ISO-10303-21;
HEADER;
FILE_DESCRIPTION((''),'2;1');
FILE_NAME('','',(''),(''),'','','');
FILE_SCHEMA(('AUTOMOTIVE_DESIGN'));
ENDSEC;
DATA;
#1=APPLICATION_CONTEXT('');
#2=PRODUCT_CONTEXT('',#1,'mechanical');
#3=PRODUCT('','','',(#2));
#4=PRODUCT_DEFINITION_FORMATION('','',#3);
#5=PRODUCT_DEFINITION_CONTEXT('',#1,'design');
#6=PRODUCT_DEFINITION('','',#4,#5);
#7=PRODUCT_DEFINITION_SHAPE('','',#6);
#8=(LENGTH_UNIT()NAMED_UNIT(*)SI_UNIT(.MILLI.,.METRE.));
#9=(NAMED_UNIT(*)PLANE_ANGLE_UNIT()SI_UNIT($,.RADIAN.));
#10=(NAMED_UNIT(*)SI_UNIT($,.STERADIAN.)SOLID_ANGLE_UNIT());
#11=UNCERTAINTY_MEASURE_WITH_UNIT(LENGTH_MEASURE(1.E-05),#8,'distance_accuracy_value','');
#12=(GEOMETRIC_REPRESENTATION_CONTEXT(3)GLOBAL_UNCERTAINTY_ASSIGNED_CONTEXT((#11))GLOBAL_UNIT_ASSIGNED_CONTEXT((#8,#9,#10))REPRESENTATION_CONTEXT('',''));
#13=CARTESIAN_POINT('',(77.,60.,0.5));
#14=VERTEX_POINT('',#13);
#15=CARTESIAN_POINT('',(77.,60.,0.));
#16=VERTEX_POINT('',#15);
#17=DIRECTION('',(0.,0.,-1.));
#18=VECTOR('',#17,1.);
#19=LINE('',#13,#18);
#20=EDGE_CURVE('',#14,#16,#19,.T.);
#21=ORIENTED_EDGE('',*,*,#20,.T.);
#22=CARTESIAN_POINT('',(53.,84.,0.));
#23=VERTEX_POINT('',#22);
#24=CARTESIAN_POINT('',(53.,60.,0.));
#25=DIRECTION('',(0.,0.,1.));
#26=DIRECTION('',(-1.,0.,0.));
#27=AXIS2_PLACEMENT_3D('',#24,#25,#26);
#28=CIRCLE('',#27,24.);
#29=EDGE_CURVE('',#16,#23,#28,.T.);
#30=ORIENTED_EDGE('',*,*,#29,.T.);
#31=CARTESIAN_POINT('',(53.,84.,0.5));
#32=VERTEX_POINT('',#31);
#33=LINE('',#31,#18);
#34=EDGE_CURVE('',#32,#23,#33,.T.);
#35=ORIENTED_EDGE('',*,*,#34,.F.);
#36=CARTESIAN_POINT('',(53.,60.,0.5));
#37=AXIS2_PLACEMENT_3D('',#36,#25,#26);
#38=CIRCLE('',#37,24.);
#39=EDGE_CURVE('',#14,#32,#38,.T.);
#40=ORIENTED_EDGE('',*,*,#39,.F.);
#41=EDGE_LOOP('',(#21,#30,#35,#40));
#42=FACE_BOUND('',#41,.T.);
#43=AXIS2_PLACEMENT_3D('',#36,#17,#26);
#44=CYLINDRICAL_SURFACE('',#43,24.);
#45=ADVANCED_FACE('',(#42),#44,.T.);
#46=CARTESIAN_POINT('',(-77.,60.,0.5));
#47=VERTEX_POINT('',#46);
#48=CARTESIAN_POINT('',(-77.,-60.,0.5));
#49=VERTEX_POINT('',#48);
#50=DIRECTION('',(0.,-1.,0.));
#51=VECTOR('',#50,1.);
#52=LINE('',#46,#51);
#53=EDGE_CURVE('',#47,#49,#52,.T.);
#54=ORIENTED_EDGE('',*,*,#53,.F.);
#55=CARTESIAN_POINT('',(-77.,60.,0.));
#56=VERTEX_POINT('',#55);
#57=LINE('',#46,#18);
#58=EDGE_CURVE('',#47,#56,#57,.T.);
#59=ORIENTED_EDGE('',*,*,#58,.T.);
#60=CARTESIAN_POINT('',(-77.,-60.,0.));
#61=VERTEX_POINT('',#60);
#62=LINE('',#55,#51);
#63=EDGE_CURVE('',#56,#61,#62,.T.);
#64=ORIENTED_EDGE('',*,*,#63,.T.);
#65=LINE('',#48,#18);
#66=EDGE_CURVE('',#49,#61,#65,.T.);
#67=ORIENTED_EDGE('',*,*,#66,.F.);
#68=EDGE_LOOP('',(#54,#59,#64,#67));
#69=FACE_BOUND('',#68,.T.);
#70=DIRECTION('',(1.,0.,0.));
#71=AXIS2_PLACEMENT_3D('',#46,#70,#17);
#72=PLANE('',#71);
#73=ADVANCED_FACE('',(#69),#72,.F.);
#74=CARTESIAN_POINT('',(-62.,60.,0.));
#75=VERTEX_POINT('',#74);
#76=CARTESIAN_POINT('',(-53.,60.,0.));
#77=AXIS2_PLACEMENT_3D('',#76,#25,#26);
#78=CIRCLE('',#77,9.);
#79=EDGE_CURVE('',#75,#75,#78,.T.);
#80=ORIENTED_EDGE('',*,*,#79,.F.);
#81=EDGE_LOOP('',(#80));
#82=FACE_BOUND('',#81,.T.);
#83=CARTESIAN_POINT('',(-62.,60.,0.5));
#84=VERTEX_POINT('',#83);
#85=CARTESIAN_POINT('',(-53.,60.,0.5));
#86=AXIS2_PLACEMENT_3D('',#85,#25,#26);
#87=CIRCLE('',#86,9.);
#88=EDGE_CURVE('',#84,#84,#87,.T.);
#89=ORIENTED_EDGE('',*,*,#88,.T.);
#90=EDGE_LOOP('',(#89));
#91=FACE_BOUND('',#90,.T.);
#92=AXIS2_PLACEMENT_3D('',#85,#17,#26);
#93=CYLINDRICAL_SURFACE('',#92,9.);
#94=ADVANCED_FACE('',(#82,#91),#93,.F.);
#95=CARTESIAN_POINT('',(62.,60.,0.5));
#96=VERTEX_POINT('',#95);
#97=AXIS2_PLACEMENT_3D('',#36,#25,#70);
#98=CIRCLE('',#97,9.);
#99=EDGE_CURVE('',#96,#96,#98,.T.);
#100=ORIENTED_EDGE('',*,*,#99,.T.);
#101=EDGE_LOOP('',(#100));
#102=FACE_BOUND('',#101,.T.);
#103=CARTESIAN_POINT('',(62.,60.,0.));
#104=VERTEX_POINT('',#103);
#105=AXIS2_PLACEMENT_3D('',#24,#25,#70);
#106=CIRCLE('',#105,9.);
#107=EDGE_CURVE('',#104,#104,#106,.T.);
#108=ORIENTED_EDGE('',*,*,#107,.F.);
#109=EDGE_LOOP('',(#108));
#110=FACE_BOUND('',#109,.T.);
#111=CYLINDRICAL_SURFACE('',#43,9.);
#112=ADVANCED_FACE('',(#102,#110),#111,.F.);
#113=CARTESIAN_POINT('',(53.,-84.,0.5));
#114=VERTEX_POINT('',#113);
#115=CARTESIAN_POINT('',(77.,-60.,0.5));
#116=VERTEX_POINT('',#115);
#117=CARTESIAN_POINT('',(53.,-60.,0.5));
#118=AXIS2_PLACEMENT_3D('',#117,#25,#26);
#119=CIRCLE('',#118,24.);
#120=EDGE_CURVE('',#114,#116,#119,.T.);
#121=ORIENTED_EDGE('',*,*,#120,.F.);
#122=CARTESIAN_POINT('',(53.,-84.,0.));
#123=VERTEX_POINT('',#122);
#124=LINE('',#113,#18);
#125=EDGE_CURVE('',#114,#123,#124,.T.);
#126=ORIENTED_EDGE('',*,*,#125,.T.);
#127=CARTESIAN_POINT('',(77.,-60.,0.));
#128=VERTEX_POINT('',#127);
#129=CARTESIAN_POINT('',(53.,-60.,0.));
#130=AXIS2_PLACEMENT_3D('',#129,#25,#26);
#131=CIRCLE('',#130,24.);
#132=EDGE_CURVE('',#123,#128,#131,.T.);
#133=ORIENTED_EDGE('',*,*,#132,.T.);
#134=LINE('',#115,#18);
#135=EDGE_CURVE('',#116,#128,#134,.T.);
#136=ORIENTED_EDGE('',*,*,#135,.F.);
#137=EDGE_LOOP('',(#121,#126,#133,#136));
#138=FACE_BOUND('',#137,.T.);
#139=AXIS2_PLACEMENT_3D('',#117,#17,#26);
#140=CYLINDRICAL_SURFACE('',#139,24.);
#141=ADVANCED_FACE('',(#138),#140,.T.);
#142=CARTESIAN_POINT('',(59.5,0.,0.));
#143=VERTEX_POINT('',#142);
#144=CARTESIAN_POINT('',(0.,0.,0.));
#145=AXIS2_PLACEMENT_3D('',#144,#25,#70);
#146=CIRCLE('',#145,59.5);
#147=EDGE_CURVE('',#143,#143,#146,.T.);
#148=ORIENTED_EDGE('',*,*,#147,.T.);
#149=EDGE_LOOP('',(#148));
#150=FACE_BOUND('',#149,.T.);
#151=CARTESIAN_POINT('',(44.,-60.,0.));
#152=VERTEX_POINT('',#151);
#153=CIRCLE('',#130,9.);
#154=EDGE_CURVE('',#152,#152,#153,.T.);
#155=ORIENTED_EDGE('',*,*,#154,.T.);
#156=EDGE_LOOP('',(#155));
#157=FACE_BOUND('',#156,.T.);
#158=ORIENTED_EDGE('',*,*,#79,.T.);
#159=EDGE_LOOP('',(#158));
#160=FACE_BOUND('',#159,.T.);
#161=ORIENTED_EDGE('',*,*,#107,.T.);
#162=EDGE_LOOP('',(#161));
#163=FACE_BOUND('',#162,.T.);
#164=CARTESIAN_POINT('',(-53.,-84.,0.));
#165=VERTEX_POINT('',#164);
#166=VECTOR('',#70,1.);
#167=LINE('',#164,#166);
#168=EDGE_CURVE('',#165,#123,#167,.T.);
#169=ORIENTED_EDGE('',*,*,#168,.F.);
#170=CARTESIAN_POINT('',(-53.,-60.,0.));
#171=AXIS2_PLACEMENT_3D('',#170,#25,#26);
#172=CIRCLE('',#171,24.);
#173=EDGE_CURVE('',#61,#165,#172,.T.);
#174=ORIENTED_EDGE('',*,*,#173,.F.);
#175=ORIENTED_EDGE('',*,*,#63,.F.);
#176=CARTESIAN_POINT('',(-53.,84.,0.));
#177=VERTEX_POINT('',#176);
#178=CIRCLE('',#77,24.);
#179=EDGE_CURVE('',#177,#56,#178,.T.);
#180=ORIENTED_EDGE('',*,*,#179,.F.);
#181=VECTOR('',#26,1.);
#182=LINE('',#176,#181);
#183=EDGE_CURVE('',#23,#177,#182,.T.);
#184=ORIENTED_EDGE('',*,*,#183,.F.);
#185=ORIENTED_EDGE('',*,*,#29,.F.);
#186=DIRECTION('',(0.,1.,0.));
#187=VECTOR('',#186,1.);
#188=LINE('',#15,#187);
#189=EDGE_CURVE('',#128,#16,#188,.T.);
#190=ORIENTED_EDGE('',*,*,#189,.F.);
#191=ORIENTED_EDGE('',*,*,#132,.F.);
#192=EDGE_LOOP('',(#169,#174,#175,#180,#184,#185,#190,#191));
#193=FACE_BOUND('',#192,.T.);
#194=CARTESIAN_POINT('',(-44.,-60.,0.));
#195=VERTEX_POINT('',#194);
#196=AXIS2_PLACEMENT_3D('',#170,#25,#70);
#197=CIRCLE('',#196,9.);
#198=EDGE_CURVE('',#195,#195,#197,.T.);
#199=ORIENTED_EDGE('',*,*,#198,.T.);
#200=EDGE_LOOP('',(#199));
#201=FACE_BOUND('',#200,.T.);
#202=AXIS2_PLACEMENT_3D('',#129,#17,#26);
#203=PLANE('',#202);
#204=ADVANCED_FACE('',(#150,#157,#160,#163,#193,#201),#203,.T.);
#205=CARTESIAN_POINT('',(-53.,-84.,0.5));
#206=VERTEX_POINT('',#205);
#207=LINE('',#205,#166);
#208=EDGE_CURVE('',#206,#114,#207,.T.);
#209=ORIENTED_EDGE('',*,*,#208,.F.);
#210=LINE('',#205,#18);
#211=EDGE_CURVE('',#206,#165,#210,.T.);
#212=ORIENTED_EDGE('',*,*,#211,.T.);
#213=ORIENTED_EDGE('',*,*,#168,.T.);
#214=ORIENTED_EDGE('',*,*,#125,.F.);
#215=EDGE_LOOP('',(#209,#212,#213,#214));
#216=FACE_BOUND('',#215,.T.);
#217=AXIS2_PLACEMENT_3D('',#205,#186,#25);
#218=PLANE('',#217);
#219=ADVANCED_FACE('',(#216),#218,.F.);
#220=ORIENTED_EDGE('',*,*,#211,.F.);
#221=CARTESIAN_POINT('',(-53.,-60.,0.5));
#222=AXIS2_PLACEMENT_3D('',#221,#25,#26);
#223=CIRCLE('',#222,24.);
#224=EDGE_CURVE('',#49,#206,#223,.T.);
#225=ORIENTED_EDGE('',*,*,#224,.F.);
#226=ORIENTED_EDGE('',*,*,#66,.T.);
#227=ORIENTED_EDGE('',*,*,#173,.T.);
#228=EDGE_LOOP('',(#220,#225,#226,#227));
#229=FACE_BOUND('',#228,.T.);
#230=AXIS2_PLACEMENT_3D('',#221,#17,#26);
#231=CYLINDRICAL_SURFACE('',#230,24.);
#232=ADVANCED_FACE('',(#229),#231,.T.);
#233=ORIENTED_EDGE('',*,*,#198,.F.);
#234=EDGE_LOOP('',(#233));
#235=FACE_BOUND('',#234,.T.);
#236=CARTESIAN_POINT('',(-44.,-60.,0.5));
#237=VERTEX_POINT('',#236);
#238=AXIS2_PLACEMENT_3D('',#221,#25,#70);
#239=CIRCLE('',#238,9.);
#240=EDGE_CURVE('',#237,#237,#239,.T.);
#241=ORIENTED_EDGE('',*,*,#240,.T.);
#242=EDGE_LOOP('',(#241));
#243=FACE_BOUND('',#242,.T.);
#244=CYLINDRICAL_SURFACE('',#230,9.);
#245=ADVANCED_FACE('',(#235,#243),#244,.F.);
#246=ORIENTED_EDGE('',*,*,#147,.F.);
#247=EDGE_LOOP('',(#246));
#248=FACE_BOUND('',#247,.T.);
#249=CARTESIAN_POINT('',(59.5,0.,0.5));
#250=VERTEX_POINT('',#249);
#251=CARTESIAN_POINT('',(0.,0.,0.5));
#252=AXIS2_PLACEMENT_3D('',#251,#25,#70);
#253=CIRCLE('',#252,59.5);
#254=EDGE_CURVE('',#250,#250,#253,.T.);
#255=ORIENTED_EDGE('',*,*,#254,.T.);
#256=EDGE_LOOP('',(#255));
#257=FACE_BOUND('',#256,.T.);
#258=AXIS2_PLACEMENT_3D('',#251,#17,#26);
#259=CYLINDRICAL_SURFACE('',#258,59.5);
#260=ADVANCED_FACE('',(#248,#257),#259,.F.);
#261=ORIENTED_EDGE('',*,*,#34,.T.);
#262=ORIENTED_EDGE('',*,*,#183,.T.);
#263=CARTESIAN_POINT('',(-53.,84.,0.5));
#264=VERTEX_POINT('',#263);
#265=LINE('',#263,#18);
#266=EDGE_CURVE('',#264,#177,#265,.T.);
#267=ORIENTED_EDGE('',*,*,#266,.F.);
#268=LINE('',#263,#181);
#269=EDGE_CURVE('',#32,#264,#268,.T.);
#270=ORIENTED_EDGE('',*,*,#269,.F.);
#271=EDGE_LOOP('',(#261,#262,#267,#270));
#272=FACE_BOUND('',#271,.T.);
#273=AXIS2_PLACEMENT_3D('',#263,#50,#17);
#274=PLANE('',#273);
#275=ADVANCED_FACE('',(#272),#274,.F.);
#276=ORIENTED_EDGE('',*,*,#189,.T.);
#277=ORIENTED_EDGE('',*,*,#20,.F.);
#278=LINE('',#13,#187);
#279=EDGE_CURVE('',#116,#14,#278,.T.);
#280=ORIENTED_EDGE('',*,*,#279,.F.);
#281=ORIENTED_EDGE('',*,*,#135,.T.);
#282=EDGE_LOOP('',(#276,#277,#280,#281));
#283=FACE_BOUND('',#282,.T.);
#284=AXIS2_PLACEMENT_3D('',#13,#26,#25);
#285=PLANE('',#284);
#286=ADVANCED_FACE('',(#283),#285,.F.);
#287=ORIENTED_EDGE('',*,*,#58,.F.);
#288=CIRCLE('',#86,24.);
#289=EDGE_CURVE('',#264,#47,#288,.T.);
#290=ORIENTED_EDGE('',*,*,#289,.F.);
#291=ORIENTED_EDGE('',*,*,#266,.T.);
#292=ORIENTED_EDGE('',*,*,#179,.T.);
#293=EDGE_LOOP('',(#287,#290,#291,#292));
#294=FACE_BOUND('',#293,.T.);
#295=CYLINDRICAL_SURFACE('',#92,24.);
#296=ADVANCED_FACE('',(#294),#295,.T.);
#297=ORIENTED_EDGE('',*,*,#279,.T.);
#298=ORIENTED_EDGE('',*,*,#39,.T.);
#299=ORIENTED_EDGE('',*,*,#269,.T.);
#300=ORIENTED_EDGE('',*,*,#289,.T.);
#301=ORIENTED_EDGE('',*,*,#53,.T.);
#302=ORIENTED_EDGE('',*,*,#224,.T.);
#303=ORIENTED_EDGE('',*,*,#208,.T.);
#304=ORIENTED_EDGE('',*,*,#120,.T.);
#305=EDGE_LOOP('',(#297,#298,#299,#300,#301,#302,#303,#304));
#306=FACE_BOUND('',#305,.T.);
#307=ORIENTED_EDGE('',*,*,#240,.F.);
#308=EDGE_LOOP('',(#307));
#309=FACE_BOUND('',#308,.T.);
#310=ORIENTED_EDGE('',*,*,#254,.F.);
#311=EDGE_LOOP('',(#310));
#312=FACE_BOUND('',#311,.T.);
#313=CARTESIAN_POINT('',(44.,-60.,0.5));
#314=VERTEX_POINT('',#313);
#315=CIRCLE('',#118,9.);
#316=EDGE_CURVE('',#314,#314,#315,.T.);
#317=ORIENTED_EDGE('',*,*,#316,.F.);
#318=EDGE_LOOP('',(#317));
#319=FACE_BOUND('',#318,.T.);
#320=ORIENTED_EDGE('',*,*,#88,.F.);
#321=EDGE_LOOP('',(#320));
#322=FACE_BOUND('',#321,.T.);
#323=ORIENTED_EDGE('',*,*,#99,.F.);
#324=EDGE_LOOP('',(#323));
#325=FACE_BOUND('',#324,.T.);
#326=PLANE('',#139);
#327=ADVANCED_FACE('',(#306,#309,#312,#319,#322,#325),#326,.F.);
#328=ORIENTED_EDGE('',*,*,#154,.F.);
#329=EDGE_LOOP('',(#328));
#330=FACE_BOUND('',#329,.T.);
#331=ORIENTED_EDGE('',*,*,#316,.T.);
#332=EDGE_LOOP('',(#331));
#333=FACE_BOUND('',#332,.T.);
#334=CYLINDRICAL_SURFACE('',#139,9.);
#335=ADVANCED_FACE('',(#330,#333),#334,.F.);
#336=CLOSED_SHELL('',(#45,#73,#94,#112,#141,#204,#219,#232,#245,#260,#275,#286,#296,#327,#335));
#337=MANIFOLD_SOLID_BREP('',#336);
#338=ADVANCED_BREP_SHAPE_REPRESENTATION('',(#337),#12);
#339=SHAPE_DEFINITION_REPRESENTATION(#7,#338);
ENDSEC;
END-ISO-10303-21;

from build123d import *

# Parameters (mm, degrees)
SKETCH1_R           = 9
SKETCH1_R_2         = 59.5
BOSS_EXTRUDE1_DEPTH = 0.5


with BuildPart() as part:
    # Sketch1 → Boss-Extrude1 (new body)
    with BuildSketch(Plane.XY):
        with BuildLine():
            Line((-53, 84), (53, 84))
            ThreePointArc((53, 84), (69.970562748, 76.970562748), (77, 60))
            Line((77, 60), (77, -60))
            ThreePointArc((77, -60), (69.970562748, -76.970562748), (53, -84))
            Line((53, -84), (-53, -84))
            ThreePointArc((-53, -84), (-69.970562748, -76.970562748), (-77, -60))
            Line((-77, -60), (-77, 60))
            ThreePointArc((-77, 60), (-69.970562748, 76.970562748), (-53, 84))
        make_face()
        with Locations((53, 60)):
            Circle(SKETCH1_R, mode=Mode.SUBTRACT)
        with Locations(Location((-53, 60, 0), (0, 0, 180))):
            Circle(SKETCH1_R, mode=Mode.SUBTRACT)
        with Locations(Location((53, -60, 0), (0, 0, 180))):
            Circle(SKETCH1_R, mode=Mode.SUBTRACT)
        with Locations((-53, -60)):
            Circle(SKETCH1_R, mode=Mode.SUBTRACT)
        Circle(SKETCH1_R_2, mode=Mode.SUBTRACT)
    extrude(amount=BOSS_EXTRUDE1_DEPTH)


solid = part.part
